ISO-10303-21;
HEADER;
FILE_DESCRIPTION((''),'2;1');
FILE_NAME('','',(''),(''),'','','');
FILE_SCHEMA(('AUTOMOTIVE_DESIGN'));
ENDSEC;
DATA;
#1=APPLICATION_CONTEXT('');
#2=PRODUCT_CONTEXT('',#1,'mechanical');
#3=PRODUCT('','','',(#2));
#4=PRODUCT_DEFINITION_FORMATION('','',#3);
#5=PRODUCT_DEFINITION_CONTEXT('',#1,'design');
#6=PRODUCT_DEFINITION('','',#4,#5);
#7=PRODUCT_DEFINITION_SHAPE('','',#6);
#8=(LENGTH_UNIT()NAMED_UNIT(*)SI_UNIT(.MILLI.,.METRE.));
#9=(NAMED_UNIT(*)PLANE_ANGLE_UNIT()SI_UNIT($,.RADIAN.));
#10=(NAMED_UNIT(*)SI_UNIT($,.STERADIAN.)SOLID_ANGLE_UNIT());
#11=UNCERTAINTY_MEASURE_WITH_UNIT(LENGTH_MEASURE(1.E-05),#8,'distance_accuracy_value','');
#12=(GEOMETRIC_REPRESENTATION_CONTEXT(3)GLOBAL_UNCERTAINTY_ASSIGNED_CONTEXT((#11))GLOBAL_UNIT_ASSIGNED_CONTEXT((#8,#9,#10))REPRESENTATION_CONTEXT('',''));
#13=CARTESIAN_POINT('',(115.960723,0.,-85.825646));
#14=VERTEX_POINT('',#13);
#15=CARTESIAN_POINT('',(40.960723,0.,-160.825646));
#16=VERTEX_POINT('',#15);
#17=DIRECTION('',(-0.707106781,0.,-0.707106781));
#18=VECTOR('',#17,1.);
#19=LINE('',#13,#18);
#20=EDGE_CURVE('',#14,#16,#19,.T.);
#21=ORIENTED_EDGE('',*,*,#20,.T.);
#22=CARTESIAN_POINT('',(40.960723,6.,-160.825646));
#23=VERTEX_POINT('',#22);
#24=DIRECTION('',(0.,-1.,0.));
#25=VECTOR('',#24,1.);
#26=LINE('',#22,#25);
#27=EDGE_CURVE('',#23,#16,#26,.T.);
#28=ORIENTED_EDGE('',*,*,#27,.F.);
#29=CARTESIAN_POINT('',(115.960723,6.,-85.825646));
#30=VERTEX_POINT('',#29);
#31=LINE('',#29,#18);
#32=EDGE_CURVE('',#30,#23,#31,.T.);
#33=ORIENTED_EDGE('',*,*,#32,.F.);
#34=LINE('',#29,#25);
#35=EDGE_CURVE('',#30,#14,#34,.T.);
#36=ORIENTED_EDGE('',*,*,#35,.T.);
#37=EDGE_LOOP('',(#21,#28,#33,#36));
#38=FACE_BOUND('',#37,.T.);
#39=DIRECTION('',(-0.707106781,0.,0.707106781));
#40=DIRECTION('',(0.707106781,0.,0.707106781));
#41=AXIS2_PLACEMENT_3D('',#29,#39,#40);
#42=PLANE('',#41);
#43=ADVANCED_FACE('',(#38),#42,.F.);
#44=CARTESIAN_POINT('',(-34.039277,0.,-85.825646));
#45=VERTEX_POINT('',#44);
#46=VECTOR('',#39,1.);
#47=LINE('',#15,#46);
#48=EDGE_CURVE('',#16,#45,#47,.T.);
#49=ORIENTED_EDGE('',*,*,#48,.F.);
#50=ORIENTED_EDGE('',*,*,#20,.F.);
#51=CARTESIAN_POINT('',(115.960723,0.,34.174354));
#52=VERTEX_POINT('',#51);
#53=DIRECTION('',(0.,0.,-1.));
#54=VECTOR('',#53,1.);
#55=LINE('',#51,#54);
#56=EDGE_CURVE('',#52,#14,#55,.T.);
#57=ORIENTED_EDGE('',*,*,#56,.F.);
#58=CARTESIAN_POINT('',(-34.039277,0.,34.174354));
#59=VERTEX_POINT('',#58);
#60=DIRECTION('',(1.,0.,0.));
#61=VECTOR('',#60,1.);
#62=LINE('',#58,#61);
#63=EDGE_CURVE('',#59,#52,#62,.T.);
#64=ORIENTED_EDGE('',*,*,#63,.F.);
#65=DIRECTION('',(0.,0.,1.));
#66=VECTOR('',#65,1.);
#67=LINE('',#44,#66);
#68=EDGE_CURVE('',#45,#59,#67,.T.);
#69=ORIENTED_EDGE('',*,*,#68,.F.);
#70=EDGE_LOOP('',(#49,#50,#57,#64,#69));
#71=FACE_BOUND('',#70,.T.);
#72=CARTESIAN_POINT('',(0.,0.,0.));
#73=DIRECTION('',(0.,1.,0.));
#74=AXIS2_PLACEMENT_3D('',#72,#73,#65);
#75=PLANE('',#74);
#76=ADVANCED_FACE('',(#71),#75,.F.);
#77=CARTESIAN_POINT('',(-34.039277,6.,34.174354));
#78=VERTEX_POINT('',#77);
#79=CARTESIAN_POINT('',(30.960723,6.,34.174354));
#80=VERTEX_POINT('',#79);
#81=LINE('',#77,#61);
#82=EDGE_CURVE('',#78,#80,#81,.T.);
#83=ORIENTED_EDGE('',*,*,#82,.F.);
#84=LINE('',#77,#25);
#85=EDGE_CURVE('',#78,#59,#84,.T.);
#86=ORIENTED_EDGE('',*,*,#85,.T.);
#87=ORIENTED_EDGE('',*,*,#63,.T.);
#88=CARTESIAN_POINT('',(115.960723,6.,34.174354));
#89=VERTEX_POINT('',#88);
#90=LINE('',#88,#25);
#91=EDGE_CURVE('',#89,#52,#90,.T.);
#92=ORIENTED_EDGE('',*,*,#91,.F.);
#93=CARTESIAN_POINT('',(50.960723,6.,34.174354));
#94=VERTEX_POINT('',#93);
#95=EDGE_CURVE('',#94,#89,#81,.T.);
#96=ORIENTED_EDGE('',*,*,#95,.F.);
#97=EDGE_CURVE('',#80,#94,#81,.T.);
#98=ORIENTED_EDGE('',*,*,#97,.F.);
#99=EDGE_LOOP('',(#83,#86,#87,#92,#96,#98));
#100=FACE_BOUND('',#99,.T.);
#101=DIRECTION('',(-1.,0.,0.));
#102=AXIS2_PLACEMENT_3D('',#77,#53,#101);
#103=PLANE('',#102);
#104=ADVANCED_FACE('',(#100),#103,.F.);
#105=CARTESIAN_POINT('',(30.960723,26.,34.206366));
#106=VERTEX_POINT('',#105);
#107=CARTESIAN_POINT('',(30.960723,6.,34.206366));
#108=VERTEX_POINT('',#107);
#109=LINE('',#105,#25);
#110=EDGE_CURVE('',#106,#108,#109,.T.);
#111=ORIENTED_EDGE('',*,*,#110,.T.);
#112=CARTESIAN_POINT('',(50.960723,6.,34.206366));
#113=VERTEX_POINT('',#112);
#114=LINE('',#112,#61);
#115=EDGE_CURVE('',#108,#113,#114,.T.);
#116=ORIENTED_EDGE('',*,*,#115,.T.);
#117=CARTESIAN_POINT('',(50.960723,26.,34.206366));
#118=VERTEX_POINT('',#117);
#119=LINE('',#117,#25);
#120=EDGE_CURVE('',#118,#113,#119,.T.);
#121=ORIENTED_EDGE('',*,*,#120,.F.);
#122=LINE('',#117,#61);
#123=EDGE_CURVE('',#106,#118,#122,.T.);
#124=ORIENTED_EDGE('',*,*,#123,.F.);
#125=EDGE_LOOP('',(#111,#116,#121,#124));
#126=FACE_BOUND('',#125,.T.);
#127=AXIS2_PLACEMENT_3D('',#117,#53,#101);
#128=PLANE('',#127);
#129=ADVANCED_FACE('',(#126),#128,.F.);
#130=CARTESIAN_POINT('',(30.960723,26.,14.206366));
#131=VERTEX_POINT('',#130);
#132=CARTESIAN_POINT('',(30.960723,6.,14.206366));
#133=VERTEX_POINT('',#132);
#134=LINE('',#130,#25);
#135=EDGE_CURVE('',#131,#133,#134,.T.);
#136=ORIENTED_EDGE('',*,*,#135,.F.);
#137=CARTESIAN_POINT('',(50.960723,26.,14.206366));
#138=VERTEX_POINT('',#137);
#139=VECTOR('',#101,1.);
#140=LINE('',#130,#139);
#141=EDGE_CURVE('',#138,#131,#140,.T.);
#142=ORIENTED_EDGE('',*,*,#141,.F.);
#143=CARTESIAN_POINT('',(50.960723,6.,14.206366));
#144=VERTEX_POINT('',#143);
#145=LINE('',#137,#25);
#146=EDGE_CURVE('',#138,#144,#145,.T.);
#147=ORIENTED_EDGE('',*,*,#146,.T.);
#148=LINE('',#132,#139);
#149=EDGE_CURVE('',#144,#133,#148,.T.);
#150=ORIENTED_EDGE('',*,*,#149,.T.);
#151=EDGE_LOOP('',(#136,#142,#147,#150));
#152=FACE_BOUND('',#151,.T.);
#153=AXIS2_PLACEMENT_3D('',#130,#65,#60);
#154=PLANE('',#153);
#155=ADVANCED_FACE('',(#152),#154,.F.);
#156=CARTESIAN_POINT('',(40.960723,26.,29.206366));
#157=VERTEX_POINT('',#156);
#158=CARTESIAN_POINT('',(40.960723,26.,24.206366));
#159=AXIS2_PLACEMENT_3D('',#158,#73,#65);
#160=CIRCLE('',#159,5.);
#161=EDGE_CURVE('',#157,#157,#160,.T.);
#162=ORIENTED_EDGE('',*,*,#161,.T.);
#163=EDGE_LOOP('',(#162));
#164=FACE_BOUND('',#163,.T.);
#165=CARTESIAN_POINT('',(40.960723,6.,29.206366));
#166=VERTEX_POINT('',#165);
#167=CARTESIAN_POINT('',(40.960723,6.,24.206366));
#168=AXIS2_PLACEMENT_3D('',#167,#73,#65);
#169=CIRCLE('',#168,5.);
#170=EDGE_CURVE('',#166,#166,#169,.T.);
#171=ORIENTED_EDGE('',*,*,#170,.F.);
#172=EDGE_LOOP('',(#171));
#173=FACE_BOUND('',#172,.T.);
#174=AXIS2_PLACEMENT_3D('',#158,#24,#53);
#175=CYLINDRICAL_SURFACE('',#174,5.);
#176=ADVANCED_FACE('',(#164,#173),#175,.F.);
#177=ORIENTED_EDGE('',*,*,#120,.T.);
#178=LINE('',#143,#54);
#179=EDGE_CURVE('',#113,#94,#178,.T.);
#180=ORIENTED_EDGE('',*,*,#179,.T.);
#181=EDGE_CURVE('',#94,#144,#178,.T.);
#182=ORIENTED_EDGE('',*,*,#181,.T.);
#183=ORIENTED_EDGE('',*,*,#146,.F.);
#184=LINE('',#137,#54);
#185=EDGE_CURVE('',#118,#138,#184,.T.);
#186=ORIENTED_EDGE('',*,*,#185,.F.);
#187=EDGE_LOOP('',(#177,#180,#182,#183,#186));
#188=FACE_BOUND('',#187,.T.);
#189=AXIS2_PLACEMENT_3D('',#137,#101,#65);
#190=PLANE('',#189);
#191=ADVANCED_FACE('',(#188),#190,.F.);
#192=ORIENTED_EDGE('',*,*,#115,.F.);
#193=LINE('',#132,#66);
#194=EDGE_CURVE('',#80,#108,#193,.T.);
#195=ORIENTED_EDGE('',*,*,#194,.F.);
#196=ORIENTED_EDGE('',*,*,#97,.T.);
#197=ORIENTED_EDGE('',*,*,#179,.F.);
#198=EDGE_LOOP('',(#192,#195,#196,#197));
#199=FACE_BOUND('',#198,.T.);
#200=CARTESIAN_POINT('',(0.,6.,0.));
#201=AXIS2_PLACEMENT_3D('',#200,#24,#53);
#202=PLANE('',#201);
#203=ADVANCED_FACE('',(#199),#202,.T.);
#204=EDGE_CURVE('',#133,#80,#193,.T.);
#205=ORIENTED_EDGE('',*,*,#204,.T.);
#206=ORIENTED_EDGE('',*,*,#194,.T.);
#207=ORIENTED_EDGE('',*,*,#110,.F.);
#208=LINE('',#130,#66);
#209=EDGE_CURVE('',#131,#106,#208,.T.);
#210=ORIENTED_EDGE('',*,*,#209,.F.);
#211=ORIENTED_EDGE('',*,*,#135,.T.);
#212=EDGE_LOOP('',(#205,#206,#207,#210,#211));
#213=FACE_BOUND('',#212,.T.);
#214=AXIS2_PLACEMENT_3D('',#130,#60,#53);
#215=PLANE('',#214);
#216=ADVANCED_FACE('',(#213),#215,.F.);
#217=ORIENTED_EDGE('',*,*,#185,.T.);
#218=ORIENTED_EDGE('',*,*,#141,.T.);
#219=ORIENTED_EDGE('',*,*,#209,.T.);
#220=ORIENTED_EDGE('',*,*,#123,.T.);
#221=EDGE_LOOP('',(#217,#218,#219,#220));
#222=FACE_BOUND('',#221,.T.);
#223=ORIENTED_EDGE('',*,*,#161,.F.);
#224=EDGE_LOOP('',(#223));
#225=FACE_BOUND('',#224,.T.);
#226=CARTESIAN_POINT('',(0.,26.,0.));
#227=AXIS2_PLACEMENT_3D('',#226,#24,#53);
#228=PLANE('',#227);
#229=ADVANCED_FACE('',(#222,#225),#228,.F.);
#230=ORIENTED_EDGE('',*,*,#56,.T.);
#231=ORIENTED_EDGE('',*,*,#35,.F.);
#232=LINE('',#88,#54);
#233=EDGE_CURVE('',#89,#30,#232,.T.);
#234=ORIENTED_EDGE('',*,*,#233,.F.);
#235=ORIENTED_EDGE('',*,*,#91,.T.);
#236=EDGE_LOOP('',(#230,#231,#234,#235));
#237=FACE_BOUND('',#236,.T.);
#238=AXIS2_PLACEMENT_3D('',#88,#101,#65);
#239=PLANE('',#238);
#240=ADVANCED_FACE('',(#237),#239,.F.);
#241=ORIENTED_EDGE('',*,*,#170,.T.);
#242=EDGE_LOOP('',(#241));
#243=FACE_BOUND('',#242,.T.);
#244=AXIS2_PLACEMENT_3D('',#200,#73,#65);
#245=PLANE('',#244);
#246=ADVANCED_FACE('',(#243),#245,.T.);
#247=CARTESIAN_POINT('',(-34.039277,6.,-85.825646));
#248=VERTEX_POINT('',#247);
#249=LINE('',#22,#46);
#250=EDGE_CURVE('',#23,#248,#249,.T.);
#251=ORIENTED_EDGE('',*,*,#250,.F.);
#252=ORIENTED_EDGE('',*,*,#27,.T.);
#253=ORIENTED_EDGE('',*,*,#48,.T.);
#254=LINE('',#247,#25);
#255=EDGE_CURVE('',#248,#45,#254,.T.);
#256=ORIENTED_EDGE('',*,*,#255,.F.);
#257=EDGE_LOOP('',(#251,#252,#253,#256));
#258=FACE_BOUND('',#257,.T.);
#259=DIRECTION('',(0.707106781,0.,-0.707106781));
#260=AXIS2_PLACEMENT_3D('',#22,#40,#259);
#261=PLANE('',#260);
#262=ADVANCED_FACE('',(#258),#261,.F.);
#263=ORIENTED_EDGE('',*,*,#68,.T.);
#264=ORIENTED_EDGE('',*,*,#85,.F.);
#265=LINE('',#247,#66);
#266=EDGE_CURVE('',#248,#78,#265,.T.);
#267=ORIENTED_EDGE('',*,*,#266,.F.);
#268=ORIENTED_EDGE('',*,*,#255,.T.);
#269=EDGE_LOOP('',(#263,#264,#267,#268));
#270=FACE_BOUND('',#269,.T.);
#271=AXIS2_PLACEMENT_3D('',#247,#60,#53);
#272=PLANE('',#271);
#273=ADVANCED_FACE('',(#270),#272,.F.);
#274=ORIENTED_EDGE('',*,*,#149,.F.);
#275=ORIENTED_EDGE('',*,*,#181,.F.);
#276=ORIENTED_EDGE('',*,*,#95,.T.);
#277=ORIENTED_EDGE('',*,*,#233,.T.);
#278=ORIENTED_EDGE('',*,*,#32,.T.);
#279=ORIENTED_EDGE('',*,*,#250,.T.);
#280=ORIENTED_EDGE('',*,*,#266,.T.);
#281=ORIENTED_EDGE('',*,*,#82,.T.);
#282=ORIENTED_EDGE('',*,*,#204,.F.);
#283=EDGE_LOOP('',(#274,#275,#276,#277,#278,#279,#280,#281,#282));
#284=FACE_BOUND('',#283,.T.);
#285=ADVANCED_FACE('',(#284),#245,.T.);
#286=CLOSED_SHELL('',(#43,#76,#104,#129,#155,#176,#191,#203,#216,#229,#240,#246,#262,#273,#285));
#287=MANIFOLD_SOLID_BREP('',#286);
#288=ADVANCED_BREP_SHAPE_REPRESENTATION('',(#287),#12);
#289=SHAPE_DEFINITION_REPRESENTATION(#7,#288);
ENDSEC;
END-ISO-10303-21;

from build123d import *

# Parameters (mm, degrees)
BOSS_EXTRUDE1_DEPTH = 6
SKETCH2_W           = 20
SKETCH2_H           = 20
SKETCH2_R           = 5
BOSS_EXTRUDE2_DEPTH = 20


with BuildPart() as part:
    # Sketch1 → Boss-Extrude1 (new body)
    with BuildSketch(Plane(origin=(0, 0, 0), x_dir=(1, 0, 0), z_dir=(0, 1, 0))):
        Polygon((-34.039277024, -34.17435352), (115.960722976, -34.17435352), (115.960722976, 85.82564648), (40.960722976, 160.82564648), (-34.039277024, 85.82564648), align=None)
    extrude(amount=BOSS_EXTRUDE1_DEPTH)

    # Sketch2 → Boss-Extrude2 (add)
    with BuildSketch(Plane(origin=(0, 6, 0), x_dir=(1, 0, 0), z_dir=(0, 1, 0))):
        with Locations((40.960722976, -24.206365995)):
            Rectangle(SKETCH2_W, SKETCH2_H)
        with Locations(Location((40.960722976, -24.206365995, 0), (0, 0, 270))):
            Circle(SKETCH2_R, mode=Mode.SUBTRACT)
    extrude(amount=BOSS_EXTRUDE2_DEPTH)


solid = part.part
